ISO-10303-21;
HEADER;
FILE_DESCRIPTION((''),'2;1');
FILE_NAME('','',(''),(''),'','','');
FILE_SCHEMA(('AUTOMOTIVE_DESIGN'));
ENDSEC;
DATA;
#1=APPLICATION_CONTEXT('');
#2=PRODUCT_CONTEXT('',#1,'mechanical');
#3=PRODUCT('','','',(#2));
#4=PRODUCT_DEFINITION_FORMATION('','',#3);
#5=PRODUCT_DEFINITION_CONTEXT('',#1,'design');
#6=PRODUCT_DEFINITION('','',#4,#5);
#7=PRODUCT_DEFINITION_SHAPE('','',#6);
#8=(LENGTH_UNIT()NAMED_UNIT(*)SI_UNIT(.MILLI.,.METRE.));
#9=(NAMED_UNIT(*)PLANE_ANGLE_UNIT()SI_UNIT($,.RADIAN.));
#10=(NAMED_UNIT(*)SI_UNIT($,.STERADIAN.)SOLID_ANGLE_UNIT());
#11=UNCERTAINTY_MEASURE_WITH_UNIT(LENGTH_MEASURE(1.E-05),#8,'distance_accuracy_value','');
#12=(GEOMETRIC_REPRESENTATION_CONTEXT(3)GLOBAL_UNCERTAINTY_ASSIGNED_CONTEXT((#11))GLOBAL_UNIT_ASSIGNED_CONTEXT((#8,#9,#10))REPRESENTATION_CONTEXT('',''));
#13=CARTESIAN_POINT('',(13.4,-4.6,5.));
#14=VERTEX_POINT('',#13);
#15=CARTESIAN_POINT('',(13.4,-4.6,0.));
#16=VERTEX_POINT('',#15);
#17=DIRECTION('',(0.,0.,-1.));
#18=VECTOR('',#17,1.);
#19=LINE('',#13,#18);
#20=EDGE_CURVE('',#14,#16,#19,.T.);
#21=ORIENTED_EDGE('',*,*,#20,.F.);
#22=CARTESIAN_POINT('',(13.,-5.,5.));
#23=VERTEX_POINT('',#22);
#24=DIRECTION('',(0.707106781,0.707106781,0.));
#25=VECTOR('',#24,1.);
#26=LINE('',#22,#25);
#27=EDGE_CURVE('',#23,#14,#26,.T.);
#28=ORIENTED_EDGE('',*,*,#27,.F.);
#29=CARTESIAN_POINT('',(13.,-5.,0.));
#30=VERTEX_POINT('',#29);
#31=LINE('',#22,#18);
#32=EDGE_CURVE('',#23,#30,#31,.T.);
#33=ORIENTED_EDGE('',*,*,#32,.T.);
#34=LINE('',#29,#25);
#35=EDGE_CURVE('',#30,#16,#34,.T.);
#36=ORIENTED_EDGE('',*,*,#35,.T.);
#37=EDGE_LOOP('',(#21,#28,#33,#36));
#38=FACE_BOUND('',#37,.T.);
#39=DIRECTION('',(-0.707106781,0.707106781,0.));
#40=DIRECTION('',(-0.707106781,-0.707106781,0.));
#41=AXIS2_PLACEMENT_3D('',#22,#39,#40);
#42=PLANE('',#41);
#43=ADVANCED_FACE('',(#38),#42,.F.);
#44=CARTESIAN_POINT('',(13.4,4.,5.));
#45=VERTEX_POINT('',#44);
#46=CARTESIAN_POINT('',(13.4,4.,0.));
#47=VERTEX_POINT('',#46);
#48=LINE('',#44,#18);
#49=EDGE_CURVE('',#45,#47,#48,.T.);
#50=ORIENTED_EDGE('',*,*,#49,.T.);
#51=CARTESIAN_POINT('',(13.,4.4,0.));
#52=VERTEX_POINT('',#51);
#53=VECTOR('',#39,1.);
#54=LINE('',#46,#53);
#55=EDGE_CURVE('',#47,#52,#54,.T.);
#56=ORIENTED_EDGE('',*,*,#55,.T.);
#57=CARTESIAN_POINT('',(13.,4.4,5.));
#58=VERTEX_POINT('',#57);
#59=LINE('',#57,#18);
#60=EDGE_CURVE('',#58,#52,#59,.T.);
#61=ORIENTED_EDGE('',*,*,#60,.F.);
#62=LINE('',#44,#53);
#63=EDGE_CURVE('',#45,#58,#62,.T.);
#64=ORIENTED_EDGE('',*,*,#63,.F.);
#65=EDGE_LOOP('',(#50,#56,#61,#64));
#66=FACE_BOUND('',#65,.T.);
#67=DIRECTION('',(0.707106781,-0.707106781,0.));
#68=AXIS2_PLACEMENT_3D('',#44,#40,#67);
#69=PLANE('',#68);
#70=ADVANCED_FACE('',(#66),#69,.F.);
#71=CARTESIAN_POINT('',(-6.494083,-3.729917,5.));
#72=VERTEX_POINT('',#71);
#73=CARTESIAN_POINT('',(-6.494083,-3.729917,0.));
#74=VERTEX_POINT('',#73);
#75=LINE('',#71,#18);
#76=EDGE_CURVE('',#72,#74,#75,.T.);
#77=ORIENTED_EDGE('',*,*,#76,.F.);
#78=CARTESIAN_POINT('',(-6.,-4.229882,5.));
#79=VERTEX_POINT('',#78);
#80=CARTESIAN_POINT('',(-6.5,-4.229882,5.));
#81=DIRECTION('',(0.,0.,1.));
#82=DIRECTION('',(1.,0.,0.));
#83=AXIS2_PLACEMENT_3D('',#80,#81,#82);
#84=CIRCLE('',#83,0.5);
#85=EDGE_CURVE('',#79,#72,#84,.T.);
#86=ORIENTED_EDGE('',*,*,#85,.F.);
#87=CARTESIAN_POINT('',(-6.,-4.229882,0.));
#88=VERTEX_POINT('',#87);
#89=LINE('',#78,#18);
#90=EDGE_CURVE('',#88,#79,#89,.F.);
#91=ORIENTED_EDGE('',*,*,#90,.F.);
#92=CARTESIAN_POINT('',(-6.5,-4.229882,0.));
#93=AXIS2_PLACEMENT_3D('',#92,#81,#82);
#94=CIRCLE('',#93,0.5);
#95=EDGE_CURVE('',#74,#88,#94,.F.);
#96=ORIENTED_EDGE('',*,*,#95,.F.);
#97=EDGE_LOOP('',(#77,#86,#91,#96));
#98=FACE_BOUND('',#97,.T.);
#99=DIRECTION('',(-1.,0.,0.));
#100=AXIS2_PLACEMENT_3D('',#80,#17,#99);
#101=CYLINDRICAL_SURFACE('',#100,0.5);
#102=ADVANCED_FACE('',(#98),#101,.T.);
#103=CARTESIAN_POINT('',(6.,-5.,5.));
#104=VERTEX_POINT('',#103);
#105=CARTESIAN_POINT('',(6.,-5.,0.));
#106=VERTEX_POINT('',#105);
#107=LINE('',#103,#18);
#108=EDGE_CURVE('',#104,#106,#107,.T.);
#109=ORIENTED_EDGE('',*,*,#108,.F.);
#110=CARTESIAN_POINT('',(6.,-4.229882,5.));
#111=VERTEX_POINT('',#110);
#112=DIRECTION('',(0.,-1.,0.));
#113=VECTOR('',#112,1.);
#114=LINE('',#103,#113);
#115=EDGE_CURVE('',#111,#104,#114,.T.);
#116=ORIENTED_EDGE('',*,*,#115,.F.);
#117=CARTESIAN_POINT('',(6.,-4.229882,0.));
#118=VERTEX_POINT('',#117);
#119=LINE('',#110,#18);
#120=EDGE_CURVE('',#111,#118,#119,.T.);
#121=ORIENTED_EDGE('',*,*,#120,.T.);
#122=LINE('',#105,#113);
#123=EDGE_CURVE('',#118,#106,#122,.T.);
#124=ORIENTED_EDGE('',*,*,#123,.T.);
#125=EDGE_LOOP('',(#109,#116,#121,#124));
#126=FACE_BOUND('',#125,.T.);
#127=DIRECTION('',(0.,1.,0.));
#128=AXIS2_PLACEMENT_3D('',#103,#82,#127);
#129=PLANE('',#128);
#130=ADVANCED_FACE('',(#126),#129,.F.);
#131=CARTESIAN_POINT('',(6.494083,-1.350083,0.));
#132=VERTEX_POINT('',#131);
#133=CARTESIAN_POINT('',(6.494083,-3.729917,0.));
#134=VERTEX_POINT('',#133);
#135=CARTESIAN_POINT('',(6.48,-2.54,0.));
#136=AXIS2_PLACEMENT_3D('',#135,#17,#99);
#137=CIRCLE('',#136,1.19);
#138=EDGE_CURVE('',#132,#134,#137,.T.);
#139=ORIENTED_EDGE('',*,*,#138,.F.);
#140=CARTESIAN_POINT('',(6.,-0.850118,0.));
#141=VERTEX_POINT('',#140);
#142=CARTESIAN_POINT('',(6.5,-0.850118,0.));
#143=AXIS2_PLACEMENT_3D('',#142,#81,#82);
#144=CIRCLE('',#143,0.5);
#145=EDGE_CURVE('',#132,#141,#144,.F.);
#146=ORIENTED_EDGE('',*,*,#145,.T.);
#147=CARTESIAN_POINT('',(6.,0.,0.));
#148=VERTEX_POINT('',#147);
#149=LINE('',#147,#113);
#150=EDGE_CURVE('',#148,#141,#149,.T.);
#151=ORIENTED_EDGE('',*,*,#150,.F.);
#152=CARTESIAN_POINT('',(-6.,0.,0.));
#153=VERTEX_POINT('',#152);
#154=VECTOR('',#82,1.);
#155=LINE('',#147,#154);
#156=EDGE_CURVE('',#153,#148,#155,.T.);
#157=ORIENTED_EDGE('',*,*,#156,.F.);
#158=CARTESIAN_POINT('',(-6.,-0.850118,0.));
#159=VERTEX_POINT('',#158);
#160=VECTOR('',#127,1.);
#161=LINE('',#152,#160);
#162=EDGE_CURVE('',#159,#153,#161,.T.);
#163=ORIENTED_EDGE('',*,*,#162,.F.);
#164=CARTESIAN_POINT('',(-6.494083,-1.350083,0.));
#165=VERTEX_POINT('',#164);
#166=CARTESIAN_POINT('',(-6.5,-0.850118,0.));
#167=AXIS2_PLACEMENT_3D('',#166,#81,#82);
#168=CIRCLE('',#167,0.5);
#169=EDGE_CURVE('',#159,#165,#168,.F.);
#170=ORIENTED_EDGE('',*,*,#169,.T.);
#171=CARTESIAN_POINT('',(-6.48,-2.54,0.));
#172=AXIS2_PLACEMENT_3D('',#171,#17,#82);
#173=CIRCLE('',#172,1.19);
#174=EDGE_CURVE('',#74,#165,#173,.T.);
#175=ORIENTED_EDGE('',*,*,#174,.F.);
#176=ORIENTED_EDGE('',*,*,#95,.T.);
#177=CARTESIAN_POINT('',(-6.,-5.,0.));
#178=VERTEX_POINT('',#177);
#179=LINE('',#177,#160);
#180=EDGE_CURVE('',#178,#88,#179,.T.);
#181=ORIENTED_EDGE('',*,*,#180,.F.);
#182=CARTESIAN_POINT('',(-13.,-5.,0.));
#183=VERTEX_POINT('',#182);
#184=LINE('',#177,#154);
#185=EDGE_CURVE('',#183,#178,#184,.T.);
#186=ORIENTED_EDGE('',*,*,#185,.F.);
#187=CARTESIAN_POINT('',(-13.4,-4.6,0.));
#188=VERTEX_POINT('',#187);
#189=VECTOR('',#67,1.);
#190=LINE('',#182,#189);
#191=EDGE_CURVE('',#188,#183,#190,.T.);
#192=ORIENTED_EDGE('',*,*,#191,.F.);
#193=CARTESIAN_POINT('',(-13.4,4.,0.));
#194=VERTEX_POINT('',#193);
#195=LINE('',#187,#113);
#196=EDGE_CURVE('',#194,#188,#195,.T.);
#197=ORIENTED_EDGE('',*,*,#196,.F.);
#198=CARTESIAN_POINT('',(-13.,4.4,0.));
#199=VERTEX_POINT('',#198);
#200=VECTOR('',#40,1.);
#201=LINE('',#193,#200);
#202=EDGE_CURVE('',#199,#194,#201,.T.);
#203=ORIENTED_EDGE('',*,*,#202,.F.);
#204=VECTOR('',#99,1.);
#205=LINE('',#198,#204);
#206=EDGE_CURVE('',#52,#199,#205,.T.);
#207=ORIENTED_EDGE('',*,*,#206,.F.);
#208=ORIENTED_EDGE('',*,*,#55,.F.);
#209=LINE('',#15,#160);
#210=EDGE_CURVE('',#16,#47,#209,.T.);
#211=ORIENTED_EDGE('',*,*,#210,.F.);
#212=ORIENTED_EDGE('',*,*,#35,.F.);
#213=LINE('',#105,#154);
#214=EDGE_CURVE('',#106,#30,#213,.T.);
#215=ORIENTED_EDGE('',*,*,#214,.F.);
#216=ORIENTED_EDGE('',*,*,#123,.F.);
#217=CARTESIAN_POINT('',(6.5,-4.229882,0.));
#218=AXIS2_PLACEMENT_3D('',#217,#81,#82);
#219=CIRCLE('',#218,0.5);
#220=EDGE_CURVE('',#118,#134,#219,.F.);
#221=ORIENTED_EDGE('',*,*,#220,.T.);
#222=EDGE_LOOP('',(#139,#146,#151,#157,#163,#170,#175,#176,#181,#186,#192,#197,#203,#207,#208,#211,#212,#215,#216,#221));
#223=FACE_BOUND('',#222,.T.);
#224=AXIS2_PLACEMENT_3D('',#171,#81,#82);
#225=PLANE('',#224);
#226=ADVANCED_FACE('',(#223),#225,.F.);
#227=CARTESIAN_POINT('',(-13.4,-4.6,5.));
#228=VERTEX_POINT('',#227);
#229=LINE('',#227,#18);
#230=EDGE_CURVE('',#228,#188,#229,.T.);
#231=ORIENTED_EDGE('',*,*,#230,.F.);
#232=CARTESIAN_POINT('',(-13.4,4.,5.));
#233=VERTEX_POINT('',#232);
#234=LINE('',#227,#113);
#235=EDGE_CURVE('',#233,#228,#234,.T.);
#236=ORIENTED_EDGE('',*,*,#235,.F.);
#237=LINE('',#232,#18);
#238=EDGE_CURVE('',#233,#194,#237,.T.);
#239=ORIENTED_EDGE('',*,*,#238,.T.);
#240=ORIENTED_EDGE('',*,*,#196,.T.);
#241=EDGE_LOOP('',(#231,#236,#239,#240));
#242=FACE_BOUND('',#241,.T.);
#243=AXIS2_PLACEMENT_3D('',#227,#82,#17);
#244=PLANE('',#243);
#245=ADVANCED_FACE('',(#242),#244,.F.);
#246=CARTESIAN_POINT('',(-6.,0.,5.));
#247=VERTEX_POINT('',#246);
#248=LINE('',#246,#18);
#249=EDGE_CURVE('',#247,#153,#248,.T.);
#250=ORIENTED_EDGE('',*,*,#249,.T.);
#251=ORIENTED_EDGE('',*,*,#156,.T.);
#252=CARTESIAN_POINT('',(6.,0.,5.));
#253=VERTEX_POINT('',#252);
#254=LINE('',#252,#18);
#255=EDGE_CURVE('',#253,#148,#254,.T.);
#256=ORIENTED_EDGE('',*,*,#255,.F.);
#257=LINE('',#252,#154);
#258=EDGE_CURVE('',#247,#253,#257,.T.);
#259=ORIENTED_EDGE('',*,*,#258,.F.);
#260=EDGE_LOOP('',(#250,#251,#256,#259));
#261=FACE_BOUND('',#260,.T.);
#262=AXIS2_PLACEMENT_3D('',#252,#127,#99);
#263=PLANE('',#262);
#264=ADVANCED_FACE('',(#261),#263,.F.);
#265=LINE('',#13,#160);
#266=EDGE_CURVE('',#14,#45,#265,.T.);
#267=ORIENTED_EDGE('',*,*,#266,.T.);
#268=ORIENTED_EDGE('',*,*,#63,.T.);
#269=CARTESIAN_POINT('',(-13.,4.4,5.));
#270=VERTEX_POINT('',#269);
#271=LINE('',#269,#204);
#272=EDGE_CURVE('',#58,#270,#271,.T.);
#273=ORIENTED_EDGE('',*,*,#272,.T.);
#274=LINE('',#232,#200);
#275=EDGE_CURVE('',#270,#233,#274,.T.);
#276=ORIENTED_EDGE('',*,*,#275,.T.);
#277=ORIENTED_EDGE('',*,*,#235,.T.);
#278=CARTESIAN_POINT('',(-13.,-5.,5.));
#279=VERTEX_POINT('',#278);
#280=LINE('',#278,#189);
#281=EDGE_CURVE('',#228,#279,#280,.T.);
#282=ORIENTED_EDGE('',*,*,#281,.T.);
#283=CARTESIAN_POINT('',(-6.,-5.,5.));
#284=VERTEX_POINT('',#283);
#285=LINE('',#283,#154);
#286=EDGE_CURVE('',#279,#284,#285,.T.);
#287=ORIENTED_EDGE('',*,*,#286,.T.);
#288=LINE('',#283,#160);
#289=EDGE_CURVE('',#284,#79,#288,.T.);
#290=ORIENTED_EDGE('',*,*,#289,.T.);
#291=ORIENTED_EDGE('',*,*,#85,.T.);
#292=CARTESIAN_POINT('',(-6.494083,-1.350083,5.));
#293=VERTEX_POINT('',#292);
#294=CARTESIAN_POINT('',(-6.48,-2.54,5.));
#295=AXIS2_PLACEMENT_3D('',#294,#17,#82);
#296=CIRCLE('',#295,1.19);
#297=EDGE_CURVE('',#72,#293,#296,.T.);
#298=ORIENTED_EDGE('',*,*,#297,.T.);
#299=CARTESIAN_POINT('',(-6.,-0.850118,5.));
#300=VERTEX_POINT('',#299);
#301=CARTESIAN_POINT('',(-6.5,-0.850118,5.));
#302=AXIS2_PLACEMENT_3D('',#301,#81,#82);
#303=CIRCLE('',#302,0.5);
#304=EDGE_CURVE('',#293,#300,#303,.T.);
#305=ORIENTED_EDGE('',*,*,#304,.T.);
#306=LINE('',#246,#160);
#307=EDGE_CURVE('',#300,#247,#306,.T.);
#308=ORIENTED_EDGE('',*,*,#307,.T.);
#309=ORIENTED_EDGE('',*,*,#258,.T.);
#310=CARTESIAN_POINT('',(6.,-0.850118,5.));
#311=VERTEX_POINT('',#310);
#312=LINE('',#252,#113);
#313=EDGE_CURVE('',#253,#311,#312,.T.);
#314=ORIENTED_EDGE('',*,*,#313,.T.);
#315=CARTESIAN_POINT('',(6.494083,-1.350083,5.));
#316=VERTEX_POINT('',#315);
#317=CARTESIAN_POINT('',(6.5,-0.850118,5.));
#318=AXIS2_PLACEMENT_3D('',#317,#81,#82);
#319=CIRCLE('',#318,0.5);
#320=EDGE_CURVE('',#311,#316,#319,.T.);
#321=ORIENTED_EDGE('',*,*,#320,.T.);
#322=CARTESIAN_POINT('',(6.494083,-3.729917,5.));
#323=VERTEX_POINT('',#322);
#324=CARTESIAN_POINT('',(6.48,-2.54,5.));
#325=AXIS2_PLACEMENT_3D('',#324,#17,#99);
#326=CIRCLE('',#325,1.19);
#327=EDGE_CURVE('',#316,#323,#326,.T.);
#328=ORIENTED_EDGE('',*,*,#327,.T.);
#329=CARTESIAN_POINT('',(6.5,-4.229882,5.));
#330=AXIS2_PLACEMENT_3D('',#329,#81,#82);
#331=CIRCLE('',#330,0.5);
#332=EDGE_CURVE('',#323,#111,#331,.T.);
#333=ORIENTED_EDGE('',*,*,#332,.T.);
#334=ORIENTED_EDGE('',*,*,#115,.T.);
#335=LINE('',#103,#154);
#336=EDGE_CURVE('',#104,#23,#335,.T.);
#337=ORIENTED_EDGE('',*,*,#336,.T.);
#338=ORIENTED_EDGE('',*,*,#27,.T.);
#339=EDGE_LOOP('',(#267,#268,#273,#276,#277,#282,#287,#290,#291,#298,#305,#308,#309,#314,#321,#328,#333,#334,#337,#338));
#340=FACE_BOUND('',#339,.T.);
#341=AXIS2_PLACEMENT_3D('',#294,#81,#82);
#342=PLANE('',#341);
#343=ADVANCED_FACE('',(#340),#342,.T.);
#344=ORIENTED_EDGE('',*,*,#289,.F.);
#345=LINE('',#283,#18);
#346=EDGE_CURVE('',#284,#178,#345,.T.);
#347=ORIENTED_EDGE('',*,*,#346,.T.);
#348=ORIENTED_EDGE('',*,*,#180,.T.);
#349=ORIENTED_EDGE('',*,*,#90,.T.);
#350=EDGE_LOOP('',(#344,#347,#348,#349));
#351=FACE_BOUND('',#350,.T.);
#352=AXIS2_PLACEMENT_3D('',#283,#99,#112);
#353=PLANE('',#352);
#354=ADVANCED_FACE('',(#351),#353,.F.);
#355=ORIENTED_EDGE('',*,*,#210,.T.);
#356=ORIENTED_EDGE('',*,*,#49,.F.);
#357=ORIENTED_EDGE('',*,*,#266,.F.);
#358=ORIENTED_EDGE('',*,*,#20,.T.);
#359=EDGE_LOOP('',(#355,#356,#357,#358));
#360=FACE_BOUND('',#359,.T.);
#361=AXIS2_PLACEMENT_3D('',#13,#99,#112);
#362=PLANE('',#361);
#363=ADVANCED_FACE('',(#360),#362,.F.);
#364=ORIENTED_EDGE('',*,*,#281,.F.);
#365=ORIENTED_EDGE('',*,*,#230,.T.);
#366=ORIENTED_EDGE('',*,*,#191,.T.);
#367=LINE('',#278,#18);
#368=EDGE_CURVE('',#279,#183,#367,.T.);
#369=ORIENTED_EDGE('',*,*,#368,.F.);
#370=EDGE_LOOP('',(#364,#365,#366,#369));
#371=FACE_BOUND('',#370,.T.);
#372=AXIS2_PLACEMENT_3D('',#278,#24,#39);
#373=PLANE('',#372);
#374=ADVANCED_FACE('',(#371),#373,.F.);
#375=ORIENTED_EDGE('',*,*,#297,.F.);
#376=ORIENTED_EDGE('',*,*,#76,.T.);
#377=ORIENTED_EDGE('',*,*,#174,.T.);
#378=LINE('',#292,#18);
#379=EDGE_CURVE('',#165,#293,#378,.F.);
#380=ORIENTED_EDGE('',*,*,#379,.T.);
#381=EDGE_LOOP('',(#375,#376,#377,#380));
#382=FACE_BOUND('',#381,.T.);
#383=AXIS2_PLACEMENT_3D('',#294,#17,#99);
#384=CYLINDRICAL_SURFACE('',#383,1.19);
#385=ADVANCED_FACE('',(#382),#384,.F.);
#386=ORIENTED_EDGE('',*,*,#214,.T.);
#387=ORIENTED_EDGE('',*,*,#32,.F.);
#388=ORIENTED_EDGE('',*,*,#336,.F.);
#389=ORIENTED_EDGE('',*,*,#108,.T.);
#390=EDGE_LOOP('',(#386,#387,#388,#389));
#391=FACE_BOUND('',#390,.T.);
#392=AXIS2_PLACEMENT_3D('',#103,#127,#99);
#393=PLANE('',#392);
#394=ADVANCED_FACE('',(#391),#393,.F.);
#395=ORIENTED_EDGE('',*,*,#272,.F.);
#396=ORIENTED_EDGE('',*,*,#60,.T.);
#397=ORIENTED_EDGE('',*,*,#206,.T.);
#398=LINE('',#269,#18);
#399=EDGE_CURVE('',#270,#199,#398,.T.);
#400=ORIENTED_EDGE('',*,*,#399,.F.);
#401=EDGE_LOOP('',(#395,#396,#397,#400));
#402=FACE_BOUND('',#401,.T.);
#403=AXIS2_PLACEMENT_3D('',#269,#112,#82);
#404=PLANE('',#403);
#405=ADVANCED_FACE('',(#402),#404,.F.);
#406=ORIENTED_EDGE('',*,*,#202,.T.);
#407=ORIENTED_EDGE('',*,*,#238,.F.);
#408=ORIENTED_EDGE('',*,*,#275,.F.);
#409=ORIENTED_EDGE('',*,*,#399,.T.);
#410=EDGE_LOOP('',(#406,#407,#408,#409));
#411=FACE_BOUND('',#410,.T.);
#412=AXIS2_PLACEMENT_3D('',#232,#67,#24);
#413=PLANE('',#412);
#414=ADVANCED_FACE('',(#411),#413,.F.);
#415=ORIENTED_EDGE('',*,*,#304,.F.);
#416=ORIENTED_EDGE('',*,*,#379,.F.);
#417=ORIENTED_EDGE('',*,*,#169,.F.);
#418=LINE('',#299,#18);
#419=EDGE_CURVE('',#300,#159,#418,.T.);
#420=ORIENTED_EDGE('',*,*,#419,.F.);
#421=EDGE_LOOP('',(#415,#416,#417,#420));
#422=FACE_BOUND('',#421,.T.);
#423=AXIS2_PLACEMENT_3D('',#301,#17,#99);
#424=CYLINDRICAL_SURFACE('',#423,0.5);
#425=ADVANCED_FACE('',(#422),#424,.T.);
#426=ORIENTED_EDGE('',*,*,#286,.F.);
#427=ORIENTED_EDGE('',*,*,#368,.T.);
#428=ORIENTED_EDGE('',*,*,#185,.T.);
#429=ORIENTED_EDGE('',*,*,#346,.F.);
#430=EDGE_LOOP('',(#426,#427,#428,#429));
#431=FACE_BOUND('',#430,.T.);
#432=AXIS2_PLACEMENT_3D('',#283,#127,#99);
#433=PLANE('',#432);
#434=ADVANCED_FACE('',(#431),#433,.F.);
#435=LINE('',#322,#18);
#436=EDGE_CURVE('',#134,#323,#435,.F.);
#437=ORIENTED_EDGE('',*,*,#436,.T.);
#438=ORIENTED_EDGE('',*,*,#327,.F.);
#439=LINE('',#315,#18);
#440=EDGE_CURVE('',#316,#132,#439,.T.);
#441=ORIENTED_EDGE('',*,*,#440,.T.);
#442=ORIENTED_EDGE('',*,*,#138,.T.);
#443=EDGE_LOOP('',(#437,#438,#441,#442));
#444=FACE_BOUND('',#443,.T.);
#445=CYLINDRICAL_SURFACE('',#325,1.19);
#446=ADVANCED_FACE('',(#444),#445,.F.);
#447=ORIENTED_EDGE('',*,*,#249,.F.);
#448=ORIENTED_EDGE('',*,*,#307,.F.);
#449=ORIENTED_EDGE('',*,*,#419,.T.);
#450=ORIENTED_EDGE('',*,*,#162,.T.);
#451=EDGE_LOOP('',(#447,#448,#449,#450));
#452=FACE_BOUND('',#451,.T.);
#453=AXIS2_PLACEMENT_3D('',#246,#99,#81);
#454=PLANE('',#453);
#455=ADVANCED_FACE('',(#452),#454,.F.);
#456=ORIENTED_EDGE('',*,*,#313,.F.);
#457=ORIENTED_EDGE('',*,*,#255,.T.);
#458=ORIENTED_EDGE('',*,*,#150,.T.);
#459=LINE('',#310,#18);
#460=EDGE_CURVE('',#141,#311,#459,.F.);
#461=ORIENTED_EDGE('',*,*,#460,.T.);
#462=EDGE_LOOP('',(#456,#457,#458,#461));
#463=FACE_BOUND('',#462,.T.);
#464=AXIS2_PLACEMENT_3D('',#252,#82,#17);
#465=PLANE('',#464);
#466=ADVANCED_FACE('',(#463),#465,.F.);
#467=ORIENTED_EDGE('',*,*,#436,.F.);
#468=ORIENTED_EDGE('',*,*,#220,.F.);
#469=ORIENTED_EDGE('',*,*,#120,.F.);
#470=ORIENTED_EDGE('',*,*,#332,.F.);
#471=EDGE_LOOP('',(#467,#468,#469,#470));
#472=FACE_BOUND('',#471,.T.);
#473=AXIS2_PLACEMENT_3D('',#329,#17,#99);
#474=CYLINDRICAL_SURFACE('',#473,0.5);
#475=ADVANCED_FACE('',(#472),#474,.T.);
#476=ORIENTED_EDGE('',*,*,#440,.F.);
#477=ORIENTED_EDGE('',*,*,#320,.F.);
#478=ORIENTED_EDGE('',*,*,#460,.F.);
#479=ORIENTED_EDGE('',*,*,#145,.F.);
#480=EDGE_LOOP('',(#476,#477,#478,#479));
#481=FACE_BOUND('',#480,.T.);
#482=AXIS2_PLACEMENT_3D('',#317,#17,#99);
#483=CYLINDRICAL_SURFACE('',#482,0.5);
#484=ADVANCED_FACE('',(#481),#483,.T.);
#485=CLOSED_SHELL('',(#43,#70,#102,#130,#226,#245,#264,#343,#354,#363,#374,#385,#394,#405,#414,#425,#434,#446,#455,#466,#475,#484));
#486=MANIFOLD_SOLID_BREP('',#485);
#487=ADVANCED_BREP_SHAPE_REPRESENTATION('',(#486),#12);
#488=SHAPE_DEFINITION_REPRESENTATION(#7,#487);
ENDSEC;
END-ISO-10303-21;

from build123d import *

# Parameters (mm, degrees)
BOSS_EXTRUDE1_DEPTH = 5
FILLET1_R           = 0.5


with BuildPart() as part:
    # Sketch1 → Boss-Extrude1 (new body)
    with BuildSketch(Plane.XY):
        with BuildLine():
            Line((-6, -5), (-13, -5))
            Line((-13, -5), (-13.4, -4.6))
            Line((-13.4, -4.6), (-13.4, 4))
            Line((-13.4, 4), (-13, 4.4))
            Line((-13, 4.4), (13, 4.4))
            Line((13, 4.4), (13.4, 4))
            Line((13.4, 4), (13.4, -4.6))
            Line((13.4, -4.6), (13, -5))
            Line((13, -5), (6, -5))
            Line((6, -5), (6, -3.628898526))
            ThreePointArc((6, -3.628898526), (7.67, -2.54), (6, -1.451101474))
            Line((6, -1.451101474), (6, 0))
            Line((6, 0), (-6, 0))
            Line((-6, 0), (-6, -1.451101474))
            ThreePointArc((-6, -1.451101474), (-7.67, -2.54), (-6, -3.628898526))
            Line((-6, -3.628898526), (-6, -5))
        make_face()
    extrude(amount=BOSS_EXTRUDE1_DEPTH)

    # Fillet1
    fillet1_edges = [part.edges().sort_by_distance(p)[0] for p in [
        (6, -3.628898526, 2.5),
        (6, -1.451101474, 2.5),
        (-6, -1.451101474, 2.5),
        (-6, -3.628898526, 2.5),
    ]]
    fillet(fillet1_edges, radius=FILLET1_R)


solid = part.part
